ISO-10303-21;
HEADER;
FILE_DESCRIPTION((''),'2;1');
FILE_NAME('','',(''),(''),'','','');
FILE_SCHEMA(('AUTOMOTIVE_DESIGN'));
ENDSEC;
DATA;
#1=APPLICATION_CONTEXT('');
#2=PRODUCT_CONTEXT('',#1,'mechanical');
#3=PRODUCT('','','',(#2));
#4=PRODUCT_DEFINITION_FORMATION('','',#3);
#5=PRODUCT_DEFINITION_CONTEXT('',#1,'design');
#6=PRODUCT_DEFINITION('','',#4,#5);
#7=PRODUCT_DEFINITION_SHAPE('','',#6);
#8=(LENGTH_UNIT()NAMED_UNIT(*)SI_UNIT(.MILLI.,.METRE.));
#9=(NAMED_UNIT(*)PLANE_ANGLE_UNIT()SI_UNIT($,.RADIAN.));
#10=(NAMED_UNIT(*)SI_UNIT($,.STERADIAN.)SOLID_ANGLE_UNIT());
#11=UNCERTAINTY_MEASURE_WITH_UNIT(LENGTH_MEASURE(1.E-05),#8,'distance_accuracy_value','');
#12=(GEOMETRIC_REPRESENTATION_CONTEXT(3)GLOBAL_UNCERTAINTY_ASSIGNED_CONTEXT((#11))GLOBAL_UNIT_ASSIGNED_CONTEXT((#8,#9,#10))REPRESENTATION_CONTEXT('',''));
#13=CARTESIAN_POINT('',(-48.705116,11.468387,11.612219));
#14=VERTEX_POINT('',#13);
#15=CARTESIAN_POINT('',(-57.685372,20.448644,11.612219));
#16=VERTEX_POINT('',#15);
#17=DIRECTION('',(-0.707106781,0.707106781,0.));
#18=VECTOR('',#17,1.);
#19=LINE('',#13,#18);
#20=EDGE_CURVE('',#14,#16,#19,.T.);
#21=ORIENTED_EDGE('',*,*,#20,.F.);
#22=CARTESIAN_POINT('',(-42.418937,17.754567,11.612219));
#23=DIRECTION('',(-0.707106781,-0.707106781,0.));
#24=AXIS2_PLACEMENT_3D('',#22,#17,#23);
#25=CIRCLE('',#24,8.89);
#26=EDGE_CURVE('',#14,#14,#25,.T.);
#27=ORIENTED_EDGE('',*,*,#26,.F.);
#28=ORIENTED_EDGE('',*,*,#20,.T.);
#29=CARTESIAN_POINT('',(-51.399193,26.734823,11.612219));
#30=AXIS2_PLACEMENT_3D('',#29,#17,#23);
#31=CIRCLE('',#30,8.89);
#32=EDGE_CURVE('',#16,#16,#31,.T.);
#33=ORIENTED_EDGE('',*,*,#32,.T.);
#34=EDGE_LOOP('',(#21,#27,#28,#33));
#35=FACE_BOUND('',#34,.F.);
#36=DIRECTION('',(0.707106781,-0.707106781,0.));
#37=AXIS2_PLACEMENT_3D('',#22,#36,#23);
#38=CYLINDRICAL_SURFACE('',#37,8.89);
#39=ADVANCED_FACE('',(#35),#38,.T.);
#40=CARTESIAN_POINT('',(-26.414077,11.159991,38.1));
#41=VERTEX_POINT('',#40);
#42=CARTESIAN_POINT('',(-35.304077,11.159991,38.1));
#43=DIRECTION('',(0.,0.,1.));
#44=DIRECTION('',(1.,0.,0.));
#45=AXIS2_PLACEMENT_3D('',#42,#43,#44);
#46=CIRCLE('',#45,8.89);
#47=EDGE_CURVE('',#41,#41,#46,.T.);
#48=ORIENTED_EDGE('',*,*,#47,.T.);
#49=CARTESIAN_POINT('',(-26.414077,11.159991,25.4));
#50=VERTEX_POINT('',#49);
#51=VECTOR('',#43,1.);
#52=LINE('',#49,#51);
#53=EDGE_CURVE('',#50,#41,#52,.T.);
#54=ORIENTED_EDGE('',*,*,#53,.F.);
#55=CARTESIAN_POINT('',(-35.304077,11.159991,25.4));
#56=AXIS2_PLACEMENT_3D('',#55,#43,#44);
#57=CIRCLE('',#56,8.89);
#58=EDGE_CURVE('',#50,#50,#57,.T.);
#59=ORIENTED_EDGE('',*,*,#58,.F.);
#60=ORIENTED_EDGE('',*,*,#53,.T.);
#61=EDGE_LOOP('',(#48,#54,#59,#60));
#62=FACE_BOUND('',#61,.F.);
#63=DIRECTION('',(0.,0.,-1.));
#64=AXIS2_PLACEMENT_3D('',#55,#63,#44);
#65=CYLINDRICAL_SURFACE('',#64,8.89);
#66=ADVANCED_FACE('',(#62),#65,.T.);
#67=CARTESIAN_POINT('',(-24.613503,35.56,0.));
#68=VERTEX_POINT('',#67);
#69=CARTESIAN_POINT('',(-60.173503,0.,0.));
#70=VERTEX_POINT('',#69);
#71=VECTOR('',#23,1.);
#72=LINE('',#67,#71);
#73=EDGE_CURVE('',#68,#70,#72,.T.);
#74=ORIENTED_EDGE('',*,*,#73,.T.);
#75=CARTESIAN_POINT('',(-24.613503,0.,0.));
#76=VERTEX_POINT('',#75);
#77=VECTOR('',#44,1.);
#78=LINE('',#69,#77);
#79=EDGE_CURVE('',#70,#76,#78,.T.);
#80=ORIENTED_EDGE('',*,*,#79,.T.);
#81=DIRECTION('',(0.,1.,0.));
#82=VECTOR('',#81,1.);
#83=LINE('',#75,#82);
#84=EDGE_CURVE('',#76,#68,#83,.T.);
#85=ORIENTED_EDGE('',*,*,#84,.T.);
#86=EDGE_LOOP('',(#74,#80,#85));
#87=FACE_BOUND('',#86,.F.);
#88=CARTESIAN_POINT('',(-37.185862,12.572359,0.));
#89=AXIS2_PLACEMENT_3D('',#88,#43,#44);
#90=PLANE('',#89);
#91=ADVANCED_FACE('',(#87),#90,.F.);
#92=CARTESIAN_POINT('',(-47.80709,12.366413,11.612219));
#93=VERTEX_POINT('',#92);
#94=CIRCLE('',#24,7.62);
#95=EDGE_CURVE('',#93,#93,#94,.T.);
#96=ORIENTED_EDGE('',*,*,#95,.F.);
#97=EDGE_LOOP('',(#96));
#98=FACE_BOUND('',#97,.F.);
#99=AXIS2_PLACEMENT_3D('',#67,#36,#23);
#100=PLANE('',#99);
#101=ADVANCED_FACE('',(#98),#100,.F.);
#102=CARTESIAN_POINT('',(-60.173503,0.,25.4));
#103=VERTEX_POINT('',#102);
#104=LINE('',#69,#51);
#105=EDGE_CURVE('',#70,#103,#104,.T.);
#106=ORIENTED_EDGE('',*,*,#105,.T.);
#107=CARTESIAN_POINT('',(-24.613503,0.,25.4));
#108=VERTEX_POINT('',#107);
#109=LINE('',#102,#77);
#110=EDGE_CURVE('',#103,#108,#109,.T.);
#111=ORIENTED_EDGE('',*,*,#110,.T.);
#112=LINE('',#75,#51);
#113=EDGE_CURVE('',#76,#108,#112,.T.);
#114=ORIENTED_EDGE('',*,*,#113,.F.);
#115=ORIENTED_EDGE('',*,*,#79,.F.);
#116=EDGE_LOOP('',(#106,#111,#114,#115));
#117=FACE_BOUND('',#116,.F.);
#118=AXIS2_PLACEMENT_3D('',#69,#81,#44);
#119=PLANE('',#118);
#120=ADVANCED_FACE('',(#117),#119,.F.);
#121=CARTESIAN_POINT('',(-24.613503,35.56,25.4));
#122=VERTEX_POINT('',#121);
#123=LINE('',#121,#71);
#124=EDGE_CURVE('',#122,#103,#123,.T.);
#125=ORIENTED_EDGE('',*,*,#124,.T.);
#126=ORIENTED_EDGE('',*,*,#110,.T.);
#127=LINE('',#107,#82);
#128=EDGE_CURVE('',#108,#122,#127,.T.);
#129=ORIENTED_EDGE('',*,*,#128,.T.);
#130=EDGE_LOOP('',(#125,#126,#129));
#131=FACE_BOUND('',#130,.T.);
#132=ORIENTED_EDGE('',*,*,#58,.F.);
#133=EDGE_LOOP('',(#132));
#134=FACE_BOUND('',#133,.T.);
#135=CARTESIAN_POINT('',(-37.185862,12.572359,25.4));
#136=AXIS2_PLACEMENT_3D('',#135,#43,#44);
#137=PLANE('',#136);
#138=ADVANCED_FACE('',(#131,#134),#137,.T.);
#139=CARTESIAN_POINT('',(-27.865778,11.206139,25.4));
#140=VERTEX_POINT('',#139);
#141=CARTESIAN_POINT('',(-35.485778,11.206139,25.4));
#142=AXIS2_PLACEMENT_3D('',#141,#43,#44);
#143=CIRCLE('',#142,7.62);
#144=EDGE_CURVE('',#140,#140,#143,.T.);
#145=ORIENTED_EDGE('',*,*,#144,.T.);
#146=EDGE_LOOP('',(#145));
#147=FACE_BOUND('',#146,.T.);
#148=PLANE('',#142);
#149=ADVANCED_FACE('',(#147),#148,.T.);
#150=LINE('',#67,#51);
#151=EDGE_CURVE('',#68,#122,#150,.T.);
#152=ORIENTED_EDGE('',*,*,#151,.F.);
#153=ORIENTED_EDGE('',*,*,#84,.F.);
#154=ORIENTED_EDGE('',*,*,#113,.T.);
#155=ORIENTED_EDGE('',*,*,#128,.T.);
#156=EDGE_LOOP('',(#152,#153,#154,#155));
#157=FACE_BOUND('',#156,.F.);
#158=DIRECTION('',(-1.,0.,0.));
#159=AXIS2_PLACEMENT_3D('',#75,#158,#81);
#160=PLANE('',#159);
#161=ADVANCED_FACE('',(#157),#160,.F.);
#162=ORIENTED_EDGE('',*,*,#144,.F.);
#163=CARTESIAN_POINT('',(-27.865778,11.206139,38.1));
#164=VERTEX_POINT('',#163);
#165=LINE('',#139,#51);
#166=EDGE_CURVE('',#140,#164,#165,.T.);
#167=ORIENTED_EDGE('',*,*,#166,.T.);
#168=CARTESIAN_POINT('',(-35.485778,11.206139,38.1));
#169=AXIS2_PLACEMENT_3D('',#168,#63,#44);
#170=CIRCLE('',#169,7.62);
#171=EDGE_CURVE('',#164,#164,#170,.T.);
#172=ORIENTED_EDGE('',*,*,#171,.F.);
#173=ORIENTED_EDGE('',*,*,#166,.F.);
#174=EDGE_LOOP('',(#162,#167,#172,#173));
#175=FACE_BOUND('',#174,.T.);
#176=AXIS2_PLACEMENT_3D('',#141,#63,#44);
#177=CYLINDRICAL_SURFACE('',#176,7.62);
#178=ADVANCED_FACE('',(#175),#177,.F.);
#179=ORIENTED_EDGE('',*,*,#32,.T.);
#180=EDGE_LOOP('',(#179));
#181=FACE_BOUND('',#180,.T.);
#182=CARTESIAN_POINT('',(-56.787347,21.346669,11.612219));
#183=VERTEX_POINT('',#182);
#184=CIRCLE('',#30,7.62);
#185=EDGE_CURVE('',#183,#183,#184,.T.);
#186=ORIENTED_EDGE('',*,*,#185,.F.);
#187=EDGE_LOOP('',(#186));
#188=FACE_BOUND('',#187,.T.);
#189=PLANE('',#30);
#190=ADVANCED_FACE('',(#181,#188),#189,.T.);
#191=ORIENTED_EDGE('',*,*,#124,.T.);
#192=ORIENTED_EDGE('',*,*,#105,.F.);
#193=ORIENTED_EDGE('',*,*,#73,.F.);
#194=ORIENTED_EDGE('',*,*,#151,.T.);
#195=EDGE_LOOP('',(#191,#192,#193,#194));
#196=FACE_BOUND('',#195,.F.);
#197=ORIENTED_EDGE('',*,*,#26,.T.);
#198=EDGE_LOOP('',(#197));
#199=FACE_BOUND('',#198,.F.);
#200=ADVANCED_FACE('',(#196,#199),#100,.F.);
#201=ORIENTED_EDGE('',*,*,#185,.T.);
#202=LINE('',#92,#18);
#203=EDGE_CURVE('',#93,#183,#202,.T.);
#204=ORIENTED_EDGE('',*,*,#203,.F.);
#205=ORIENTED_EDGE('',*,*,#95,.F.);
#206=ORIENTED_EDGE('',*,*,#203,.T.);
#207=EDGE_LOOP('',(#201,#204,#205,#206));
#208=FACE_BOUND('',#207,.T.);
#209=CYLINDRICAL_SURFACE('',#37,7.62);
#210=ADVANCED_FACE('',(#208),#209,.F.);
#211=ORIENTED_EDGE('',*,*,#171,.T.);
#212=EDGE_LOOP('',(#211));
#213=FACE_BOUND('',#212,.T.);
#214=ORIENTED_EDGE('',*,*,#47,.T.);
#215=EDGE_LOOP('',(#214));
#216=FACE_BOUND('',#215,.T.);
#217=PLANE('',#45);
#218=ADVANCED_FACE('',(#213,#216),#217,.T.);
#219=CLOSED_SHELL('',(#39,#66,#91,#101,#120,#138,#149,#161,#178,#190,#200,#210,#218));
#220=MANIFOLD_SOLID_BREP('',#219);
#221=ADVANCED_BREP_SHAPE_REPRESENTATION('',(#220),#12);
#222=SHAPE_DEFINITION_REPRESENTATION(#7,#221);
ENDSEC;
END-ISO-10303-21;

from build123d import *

# Parameters (mm, degrees)
F1_DEPTH = 25.4
F3_R     = 8.89
F4_DEPTH = 12.7
F2_R     = 7.62
F5_DEPTH = 39.116
F6_R     = 8.89
F6_R_2   = 7.62
F7_DEPTH = 12.7


with BuildPart() as f1:
    # F0 (on Top) → F1 (new body)
    with BuildSketch(Plane.XY):
        Polygon((-24.6135034411, 35.56), (-60.1735034411, 0), (-24.6135034411, 0), align=None)
    extrude(amount=F1_DEPTH)

    # F3 (on face) → F4 (join)
    with BuildSketch(Plane.XY.offset(25.4)):
        with Locations((-35.3040769696, 11.1599909142)):
            Circle(F3_R)
    extrude(amount=F4_DEPTH)

    # F2 (on face) → F5 (cut)
    with BuildSketch(Plane.XY.offset(25.4)):
        with Locations((-35.4857780039, 11.2061388791)):
            Circle(F2_R)
    extrude(amount=F5_DEPTH, mode=Mode.SUBTRACT)

    # F6 (on face) → F7 (join)
    with BuildSketch(Plane(origin=(-30.0867517206, 30.0867517206, 0), x_dir=(-0.7071067812, -0.7071067812, 0), z_dir=(-0.7071067812, 0.7071067812, 0))):
        with Locations((17.4403432757, 11.6122188047)):
            Circle(F6_R)
        with Locations((17.4403432757, 11.6122188047)):
            Circle(F6_R_2, mode=Mode.SUBTRACT)
    extrude(amount=F7_DEPTH)


solid = f1.part
